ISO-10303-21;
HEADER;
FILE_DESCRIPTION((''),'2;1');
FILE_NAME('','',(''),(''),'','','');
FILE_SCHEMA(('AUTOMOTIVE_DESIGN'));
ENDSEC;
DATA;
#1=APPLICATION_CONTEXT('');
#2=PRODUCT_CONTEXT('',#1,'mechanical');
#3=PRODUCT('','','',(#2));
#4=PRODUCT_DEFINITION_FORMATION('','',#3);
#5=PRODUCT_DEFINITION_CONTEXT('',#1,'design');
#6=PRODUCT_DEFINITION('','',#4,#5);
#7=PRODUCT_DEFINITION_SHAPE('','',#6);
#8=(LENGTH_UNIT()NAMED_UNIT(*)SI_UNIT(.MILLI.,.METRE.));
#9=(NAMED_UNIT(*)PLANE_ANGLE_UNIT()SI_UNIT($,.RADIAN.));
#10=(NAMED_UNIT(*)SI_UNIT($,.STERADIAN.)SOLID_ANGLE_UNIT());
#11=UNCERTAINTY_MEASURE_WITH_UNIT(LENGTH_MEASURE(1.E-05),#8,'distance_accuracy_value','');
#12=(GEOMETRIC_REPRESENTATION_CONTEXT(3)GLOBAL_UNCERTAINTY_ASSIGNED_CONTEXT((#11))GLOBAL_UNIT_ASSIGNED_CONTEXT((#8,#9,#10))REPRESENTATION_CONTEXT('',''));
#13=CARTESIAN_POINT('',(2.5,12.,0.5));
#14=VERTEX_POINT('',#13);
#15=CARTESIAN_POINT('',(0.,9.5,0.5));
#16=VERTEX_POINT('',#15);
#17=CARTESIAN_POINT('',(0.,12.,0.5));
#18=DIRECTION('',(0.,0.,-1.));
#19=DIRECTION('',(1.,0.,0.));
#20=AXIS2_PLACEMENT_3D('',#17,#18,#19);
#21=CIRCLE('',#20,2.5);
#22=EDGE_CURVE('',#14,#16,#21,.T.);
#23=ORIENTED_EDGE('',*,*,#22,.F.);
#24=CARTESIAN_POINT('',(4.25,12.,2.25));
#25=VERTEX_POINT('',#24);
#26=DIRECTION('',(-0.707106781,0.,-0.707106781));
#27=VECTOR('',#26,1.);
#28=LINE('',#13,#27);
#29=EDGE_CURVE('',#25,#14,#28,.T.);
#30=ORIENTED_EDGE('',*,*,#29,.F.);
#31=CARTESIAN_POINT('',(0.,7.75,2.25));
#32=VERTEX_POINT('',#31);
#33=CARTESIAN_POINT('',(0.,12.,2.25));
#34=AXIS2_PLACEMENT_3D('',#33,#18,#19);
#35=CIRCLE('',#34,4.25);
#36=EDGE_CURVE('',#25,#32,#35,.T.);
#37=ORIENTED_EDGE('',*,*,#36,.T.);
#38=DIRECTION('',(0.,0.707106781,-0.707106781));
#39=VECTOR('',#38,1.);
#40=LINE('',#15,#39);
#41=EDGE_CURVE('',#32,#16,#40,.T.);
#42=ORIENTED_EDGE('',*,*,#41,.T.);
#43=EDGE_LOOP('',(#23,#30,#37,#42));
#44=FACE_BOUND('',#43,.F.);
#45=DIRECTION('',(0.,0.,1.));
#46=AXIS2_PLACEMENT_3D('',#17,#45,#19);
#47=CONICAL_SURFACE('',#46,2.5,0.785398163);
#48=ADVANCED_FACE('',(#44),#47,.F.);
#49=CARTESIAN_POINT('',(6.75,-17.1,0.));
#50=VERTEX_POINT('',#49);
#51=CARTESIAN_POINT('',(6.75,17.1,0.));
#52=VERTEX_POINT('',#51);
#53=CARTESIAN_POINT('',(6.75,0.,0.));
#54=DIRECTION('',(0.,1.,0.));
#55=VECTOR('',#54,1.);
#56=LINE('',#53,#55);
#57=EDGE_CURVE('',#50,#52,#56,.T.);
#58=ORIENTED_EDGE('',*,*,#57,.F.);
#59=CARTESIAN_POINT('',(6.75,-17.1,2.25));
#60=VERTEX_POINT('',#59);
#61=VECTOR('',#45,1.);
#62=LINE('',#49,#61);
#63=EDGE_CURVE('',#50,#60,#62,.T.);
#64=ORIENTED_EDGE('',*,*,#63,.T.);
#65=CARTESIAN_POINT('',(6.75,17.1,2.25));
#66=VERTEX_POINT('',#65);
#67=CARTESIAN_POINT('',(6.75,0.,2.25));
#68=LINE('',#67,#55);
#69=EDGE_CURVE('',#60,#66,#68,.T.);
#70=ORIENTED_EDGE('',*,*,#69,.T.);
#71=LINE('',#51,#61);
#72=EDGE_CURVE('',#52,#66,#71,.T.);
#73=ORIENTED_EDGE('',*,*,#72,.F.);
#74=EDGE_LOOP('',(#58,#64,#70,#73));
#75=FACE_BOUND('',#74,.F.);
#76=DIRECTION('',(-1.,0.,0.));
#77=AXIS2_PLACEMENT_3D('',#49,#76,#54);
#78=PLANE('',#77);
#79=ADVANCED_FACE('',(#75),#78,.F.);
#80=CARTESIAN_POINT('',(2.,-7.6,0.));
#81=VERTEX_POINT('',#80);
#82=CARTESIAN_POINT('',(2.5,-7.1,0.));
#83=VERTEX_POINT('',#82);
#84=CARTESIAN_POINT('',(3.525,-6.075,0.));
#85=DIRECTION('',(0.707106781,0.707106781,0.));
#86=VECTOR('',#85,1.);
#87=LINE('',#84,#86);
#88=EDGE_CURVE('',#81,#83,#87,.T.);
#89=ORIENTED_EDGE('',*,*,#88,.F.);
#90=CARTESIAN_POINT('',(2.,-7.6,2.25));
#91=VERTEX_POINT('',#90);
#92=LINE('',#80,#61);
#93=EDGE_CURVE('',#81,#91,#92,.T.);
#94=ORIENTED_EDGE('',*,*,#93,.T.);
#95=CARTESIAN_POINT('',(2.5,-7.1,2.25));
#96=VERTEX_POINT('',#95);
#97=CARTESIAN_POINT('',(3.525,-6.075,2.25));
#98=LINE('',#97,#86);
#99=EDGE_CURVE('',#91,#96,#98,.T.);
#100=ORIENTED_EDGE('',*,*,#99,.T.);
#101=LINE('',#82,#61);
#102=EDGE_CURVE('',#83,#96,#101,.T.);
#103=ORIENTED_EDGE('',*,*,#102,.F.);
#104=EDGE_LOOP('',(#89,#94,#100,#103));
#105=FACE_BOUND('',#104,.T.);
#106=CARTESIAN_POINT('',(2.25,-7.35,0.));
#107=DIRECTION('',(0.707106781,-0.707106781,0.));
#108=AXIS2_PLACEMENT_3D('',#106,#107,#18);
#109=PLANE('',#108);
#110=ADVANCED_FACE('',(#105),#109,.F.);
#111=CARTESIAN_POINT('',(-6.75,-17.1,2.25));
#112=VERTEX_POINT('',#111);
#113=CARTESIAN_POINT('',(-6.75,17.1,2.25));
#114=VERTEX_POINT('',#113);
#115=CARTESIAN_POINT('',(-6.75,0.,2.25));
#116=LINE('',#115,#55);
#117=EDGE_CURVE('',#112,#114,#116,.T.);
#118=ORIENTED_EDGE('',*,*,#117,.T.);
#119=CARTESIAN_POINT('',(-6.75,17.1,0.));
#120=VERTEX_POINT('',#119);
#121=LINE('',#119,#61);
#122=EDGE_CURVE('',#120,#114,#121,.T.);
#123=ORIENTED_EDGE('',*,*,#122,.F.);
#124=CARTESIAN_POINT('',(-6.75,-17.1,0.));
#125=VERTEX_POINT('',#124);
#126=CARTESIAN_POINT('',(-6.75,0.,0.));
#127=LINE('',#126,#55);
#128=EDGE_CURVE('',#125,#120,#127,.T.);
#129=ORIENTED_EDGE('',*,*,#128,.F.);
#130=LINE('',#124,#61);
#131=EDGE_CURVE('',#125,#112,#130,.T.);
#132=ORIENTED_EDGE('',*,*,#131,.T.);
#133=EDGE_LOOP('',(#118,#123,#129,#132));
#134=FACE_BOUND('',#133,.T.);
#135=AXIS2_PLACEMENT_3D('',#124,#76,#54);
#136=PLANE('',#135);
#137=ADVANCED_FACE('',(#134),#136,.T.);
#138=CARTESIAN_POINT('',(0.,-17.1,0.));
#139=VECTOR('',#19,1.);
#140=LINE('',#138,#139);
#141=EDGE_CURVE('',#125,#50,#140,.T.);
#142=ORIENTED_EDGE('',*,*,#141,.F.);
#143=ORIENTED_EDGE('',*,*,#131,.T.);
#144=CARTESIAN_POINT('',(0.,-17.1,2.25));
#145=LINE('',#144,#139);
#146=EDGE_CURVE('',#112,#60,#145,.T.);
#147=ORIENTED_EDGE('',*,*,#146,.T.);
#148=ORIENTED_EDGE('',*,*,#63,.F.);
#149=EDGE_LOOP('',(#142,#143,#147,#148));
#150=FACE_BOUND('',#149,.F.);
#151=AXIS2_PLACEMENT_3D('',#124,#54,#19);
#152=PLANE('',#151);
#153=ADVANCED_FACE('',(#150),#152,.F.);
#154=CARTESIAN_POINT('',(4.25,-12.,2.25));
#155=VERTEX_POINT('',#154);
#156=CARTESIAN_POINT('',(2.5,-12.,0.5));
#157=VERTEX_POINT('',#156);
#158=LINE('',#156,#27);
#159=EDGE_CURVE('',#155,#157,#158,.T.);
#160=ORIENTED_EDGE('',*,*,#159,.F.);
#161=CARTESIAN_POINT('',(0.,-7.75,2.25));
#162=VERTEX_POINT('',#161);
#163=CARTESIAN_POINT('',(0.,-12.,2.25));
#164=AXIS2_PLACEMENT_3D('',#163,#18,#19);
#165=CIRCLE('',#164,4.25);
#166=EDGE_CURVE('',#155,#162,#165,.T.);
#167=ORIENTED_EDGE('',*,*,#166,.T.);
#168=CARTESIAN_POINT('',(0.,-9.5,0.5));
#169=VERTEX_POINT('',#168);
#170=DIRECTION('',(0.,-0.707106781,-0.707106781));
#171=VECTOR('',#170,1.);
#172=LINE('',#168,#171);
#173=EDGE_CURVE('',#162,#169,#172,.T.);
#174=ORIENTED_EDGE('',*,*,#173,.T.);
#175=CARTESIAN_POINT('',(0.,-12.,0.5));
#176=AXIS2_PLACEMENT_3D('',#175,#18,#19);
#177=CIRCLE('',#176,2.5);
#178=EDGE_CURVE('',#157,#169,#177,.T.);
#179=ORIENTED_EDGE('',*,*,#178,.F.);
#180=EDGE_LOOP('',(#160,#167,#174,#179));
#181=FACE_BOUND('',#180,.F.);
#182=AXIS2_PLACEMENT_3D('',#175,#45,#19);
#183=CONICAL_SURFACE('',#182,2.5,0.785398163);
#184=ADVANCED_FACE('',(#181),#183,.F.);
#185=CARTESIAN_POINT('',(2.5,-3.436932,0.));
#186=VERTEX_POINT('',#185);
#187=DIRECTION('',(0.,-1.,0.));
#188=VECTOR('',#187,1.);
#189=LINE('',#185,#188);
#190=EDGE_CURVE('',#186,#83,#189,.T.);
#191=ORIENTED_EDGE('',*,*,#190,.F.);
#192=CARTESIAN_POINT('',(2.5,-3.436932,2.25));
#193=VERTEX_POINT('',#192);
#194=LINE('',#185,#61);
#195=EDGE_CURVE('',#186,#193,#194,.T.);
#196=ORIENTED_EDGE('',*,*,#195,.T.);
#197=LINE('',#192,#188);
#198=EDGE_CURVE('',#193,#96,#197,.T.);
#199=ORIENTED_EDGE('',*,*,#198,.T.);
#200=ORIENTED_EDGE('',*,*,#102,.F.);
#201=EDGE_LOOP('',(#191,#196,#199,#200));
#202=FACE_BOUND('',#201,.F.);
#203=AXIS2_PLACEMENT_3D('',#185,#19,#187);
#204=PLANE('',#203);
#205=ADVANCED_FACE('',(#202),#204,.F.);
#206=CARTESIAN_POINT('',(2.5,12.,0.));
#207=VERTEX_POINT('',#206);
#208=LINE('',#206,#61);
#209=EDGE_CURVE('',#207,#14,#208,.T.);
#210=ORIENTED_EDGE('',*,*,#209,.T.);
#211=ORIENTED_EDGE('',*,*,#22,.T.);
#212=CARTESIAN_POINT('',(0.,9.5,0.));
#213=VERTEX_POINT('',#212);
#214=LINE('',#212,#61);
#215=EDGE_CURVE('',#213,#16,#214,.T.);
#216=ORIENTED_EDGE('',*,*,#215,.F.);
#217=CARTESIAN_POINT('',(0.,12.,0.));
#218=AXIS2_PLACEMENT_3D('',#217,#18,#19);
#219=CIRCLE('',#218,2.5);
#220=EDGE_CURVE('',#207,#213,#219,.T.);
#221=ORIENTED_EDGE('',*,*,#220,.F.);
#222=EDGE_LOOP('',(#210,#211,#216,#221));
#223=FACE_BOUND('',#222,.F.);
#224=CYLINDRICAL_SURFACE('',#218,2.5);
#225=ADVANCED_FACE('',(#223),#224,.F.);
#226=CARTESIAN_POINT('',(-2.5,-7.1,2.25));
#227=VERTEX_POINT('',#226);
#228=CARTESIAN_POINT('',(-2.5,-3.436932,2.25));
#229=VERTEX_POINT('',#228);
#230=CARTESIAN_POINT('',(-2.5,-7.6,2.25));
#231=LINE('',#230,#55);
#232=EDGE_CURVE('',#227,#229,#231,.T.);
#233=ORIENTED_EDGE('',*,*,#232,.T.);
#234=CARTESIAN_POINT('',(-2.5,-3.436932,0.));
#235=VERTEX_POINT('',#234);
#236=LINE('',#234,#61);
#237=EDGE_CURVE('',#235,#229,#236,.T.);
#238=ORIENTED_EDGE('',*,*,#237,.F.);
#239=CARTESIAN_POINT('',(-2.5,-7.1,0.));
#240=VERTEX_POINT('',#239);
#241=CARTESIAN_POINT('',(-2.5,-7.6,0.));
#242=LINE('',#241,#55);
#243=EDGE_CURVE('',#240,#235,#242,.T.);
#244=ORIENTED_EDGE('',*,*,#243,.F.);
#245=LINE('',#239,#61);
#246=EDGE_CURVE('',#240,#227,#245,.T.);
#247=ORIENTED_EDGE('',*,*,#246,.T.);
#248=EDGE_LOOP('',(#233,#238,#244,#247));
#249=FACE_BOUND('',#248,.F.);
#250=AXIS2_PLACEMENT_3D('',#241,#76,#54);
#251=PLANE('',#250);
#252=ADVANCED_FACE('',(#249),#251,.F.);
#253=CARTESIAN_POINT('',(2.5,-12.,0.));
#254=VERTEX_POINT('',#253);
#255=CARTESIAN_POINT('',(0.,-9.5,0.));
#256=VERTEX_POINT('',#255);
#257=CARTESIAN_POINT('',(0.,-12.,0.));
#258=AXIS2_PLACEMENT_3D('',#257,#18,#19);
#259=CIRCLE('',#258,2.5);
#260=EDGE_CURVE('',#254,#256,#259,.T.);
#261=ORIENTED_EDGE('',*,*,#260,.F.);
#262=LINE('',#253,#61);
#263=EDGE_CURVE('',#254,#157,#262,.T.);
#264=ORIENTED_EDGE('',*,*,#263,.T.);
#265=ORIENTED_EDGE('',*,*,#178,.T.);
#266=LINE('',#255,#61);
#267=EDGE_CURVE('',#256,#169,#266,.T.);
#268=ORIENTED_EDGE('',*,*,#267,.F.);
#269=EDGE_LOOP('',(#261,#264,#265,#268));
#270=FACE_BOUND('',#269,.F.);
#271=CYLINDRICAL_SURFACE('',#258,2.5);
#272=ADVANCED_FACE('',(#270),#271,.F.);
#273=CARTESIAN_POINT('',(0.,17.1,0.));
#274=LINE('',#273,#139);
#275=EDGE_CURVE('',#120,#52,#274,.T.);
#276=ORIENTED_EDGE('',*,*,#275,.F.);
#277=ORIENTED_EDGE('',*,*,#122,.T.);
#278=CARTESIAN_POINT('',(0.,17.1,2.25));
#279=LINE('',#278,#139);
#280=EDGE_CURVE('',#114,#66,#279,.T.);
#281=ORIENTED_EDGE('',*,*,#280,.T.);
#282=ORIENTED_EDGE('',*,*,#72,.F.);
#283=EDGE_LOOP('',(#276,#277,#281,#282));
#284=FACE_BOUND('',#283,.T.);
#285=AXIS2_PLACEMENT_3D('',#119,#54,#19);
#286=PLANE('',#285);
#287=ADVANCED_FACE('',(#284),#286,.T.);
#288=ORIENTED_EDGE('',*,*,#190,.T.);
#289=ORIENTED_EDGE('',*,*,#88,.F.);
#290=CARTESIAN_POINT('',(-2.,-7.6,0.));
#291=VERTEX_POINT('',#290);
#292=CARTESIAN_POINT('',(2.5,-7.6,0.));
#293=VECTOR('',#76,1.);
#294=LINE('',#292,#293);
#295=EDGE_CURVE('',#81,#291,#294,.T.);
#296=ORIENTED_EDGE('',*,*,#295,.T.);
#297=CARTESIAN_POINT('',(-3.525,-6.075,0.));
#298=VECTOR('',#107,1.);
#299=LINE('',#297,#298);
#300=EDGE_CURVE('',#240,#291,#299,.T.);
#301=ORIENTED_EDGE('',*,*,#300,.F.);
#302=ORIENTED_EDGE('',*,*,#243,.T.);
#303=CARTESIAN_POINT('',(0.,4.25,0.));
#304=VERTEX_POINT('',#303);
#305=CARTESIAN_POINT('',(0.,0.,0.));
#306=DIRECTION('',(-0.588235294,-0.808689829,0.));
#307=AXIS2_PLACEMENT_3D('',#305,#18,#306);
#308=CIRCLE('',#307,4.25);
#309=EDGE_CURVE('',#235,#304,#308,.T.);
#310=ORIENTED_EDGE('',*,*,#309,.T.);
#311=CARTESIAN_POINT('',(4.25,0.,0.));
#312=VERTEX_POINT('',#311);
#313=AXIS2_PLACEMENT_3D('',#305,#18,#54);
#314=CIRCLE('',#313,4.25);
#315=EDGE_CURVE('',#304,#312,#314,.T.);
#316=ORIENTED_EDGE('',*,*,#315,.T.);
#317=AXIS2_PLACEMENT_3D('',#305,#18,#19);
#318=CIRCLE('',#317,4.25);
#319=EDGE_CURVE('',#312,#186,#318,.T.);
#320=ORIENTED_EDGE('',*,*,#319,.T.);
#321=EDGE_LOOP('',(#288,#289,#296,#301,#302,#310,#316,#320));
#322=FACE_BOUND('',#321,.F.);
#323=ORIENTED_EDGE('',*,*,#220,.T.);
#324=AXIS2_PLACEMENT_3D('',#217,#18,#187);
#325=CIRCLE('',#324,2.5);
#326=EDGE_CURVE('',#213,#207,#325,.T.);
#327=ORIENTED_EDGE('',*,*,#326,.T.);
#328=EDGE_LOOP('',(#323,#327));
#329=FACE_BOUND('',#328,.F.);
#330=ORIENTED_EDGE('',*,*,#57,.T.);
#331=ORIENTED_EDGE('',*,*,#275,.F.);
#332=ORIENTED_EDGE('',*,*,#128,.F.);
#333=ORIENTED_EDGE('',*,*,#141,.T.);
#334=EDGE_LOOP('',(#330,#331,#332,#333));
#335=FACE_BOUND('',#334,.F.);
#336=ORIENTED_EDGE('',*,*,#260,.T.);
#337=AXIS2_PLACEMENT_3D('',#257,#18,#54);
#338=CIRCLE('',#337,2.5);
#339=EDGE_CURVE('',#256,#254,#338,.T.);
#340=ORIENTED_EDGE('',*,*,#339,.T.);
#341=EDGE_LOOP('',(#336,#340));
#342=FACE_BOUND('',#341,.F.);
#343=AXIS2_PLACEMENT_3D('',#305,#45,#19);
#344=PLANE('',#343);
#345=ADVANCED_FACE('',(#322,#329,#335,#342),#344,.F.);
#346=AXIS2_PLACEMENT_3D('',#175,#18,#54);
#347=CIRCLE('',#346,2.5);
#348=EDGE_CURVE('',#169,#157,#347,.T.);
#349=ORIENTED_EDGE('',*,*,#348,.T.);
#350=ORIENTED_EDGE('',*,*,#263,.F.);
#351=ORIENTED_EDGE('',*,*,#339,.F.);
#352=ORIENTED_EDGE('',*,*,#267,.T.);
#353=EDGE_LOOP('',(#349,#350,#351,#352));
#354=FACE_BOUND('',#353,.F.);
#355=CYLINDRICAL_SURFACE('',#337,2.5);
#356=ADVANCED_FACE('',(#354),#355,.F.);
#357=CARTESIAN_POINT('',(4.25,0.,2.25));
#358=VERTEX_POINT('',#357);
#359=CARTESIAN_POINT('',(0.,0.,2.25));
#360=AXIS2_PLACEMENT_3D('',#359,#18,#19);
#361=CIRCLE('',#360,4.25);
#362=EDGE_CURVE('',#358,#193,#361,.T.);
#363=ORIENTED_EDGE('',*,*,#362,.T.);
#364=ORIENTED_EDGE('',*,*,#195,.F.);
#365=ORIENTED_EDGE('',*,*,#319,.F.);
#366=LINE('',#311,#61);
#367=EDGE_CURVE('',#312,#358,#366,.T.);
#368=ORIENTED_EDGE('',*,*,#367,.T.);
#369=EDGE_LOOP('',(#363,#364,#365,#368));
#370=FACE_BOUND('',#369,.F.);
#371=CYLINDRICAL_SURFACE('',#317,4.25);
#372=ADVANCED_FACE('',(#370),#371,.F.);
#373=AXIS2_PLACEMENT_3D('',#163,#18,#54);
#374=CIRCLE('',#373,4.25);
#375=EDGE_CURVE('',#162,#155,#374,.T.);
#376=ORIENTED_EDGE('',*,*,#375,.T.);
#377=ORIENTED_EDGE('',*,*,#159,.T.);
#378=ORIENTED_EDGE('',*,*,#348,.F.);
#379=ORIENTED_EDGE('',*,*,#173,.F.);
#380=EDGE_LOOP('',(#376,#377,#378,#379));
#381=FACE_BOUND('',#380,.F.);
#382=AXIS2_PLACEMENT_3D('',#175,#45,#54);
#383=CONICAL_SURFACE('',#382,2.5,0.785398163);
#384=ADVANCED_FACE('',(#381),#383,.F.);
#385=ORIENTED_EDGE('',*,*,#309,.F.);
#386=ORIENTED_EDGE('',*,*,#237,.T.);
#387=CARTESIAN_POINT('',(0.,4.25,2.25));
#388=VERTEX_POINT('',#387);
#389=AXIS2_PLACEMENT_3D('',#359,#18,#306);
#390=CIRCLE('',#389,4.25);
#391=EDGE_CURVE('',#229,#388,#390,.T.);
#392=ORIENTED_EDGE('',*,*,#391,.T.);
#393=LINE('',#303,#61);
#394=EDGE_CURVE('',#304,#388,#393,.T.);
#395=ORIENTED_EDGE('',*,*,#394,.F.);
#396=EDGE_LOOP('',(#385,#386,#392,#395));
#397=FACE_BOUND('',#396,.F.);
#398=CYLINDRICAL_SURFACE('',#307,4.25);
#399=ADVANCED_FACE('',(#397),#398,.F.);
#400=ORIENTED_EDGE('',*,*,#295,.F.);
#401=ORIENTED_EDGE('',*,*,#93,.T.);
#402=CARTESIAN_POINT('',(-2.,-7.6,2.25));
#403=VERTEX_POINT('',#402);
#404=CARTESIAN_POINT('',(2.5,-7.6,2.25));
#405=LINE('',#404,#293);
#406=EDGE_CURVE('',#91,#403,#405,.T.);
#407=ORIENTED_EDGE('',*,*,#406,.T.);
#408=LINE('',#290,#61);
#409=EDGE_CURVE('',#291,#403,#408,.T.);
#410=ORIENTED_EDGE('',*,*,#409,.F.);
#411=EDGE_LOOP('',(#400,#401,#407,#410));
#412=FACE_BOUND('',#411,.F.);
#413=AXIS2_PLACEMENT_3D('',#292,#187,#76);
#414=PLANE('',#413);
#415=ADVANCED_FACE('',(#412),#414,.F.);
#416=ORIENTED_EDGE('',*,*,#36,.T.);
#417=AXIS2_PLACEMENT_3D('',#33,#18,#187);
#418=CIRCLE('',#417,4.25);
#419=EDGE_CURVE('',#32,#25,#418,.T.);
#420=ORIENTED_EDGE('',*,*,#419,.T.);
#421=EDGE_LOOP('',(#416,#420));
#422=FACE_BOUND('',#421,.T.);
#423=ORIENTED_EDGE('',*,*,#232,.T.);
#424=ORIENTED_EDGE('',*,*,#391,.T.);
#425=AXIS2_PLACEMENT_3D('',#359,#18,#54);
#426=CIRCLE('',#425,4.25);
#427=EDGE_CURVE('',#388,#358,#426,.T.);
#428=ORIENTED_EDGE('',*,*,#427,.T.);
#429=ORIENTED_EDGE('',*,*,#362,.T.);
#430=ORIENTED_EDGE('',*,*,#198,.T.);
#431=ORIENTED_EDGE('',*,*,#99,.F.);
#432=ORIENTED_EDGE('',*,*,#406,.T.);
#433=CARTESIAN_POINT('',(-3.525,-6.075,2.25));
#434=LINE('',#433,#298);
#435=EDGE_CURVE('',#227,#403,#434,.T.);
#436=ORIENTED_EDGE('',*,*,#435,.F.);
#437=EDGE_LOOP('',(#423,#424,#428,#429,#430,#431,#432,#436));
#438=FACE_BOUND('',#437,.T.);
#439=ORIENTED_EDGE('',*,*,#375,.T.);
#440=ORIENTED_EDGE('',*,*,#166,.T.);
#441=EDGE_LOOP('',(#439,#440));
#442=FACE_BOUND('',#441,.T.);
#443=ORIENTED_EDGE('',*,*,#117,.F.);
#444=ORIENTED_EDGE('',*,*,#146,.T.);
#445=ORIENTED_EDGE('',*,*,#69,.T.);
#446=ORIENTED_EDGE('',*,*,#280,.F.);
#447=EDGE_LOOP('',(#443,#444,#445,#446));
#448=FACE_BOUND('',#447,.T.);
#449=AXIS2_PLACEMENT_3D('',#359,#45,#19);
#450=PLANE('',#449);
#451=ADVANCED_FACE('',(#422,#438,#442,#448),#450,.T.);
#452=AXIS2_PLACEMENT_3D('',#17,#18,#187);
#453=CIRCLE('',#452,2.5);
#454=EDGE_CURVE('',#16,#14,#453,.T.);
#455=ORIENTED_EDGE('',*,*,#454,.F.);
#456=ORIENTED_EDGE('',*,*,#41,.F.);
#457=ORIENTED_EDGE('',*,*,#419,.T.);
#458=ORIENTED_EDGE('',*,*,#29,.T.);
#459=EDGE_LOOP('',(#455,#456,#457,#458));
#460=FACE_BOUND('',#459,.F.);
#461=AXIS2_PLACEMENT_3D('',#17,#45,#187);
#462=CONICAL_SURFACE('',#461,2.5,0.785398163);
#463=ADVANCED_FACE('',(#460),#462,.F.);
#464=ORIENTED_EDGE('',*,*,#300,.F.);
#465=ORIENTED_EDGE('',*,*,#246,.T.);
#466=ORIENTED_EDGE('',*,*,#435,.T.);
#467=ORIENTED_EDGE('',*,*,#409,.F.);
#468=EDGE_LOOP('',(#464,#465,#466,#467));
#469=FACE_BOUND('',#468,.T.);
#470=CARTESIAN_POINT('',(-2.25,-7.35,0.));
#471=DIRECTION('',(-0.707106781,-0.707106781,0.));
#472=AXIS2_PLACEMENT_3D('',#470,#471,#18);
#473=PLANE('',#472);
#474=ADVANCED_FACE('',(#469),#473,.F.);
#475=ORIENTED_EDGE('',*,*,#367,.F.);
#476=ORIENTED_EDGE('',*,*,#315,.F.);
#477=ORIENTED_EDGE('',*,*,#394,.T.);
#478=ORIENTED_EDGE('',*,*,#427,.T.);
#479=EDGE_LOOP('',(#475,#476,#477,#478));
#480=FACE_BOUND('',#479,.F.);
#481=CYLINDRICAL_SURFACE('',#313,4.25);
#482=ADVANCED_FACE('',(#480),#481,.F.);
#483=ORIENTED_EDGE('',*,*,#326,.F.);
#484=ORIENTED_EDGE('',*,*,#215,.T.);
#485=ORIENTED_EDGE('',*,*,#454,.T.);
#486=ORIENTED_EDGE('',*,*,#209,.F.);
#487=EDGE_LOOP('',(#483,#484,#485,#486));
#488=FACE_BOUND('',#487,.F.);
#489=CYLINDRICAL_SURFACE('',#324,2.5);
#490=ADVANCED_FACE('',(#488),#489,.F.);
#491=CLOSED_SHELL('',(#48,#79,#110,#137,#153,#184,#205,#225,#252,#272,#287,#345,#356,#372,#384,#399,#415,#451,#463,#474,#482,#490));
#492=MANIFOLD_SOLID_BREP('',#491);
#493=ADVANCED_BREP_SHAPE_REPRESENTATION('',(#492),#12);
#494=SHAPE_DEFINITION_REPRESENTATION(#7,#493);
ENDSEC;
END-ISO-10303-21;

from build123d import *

# Parameters (mm, degrees)
F0_W     = 13.5
F0_H     = 34.2
F1_DEPTH = 2.25
F2_SIZE  = 0.5
F3_SIZE  = 1.75


with BuildPart() as f1:
    # F0 (on Top) → F1 (new body)
    with BuildSketch(Plane.XY):
        Rectangle(F0_W, F0_H)
        with BuildLine():
            ThreePointArc((2.5, -12), (-1.767766953, -13.767766953), (0, -9.5))
            ThreePointArc((0, -9.5), (1.767766953, -10.232233047), (2.5, -12))
        make_face(mode=Mode.SUBTRACT)
        with BuildLine():
            ThreePointArc((-2.5, -3.4369317712), (-4.041624675, 1.3144466464), (0, 4.25))
            ThreePointArc((0, 4.25), (3.00520382, 3.00520382), (4.25, 0))
            ThreePointArc((4.25, 0), (3.7873143519, -1.9284060776), (2.5, -3.4369317712))
            Line((2.5, -3.4369317712), (2.5, -7.6))
            Line((2.5, -7.6), (0, -7.6))
            Line((0, -7.6), (-2.5, -7.6))
            Line((-2.5, -7.6), (-2.5, -3.4369317712))
        make_face(mode=Mode.SUBTRACT)
        with BuildLine():
            ThreePointArc((2.5, 12), (1.767766953, 10.232233047), (0, 9.5))
            ThreePointArc((0, 9.5), (-1.767766953, 13.767766953), (2.5, 12))
        make_face(mode=Mode.SUBTRACT)
    extrude(amount=F1_DEPTH)

    # F2
    f2_edges = [f1.edges().sort_by_distance(p)[0] for p in [
        (-2.5, -7.6, 1.125),
        (2.5, -7.6, 1.125),
    ]]
    chamfer(f2_edges, length=F2_SIZE)

    # F3
    f3_edges = [f1.edges().sort_by_distance(p)[0] for p in [
        (0, -14.5, 2.25),
        (-2.5, 12, 2.25),
    ]]
    chamfer(f3_edges, length=F3_SIZE)


solid = f1.part
